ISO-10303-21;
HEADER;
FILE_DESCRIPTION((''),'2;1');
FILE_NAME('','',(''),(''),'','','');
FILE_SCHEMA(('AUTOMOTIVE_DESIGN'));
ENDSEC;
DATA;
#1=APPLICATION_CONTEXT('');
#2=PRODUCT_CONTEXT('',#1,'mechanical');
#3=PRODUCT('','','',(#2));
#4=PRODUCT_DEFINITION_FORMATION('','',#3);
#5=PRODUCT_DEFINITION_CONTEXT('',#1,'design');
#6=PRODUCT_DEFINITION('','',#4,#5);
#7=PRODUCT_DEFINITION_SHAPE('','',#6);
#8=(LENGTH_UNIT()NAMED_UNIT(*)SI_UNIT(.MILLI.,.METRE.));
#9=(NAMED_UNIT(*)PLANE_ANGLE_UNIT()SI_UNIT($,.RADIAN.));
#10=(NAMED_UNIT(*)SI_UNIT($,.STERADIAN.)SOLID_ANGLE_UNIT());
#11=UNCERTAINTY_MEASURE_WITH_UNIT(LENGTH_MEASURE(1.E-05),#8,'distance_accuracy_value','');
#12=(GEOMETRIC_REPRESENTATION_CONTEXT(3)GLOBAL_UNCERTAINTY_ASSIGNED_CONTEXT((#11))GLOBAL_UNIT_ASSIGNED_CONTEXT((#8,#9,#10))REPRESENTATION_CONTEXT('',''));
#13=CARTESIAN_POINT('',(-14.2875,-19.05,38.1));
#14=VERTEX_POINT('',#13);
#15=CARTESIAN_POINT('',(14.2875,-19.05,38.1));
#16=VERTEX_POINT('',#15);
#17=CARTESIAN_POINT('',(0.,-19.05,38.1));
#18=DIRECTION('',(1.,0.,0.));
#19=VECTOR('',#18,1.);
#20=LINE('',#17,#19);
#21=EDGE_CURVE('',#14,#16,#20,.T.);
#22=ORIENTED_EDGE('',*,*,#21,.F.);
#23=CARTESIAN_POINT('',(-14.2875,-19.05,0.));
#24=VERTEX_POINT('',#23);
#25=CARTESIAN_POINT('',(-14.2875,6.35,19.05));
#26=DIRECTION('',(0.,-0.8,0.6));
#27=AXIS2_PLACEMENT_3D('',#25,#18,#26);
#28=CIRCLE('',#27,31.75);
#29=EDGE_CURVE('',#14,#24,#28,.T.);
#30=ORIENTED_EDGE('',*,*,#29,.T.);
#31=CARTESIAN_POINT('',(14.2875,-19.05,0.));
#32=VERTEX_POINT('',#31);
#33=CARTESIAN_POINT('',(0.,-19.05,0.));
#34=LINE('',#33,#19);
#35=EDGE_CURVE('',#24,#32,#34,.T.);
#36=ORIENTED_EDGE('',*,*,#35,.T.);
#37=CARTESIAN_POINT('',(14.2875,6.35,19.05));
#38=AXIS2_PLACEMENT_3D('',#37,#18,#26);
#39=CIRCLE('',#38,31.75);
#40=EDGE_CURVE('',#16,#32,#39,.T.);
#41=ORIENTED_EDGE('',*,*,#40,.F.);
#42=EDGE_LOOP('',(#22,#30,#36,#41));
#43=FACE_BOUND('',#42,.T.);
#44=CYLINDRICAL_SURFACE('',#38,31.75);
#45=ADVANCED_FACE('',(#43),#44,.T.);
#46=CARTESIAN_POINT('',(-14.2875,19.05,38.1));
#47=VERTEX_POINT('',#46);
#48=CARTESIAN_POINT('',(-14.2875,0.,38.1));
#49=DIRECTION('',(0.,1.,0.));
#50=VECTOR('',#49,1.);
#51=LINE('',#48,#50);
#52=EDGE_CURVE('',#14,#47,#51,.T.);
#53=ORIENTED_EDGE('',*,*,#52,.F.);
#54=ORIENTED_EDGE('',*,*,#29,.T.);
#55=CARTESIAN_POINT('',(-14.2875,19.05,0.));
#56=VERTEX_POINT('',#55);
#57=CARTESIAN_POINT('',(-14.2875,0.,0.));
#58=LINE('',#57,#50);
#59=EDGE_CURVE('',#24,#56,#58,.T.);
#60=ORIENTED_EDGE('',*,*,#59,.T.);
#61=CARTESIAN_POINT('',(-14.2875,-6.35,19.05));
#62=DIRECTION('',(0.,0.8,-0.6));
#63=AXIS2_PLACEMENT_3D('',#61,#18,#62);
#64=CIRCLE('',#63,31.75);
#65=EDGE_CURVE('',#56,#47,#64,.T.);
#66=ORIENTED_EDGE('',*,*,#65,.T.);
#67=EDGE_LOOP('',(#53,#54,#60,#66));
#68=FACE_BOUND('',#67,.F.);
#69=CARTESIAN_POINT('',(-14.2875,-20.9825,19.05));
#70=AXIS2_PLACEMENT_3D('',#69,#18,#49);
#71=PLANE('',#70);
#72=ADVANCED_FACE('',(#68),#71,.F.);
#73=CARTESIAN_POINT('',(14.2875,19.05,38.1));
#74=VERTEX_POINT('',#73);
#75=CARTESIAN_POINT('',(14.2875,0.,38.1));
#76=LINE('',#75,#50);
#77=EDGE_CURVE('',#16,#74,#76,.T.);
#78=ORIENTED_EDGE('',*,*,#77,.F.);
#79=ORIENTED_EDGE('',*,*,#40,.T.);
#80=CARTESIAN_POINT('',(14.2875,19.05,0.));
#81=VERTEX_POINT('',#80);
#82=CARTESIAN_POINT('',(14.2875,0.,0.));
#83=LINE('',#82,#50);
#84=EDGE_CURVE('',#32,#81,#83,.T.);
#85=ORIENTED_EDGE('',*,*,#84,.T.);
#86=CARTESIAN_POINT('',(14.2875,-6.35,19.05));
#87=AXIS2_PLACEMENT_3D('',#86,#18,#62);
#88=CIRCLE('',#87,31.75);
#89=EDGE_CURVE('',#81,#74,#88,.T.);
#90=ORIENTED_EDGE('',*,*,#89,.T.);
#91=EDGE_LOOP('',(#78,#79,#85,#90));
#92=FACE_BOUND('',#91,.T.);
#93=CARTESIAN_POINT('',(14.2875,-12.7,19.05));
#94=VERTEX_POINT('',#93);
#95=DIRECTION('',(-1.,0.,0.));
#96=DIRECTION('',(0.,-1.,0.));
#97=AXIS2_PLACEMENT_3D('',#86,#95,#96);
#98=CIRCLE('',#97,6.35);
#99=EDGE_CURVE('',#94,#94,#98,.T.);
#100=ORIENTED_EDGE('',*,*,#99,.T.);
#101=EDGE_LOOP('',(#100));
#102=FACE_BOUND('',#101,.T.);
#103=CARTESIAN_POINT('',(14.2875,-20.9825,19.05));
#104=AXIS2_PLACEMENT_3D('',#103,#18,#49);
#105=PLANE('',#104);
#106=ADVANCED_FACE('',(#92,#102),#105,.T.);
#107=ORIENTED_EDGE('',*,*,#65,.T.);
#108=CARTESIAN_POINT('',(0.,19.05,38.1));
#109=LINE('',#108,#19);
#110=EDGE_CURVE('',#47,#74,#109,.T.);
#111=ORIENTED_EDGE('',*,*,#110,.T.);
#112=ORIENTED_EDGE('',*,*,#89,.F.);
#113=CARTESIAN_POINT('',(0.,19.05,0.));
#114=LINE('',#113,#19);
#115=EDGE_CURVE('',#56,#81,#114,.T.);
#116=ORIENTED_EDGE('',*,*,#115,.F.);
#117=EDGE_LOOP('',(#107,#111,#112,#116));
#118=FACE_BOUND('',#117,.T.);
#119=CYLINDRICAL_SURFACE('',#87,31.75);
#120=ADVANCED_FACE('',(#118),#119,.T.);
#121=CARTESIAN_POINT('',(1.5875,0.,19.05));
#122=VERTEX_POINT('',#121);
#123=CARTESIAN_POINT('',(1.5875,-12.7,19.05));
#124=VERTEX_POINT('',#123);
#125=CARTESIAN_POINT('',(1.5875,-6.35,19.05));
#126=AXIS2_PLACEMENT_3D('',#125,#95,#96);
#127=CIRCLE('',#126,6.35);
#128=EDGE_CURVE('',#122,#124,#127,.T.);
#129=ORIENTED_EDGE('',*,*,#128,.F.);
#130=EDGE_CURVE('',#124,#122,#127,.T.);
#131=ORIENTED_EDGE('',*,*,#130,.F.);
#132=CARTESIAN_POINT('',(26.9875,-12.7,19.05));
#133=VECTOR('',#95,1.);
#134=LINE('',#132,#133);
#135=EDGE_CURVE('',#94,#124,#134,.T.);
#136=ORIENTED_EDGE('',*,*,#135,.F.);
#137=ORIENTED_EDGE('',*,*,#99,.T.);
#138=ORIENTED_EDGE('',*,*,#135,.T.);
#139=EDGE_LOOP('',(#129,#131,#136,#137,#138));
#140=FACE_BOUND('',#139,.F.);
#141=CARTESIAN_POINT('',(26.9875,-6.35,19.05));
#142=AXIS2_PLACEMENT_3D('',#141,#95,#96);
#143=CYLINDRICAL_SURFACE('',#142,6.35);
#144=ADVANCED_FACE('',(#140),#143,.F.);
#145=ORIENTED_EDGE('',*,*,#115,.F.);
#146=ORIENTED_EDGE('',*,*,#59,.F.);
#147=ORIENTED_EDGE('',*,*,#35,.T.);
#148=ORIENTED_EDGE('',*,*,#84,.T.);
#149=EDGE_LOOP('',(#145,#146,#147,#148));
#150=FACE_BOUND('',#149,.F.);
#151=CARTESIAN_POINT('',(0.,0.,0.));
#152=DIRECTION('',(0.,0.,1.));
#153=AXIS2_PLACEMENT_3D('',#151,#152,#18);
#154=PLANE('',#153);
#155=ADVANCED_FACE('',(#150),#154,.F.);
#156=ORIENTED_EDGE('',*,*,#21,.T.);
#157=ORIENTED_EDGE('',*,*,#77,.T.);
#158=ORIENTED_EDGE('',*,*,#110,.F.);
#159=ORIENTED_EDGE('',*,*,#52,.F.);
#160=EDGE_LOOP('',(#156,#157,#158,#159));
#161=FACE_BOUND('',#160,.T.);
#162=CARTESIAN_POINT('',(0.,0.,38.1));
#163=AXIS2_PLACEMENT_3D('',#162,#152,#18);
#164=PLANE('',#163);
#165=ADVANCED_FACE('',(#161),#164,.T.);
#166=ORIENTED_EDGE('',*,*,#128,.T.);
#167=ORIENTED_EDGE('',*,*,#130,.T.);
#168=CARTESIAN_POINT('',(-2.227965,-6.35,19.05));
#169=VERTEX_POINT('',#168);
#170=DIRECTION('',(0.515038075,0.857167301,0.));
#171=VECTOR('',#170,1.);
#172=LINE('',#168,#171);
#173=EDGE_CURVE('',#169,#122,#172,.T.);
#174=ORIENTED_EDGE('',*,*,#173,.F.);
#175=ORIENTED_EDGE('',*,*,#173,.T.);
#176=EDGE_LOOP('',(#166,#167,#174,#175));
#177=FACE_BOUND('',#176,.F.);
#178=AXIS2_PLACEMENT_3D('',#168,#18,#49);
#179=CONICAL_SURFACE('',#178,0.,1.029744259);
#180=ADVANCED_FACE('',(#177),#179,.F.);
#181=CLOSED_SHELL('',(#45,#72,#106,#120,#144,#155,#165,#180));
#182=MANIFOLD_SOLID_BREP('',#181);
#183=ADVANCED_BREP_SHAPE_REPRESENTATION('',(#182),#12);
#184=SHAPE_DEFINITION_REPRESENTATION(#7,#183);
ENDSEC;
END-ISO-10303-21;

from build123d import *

# Parameters (mm, degrees)
F0_W     = 28.575
F0_H     = 38.1
F1_DEPTH = 38.1
F3_DEPTH = 28.575
F4_D     = 12.7
F4_DEPTH = 12.7
F4_TIP   = 3.8154649308


with BuildPart() as f1:
    # F0 (on Top) → F1 (new body)
    with BuildSketch(Plane.XY):
        Rectangle(F0_W, F0_H)
    extrude(amount=F1_DEPTH)

    # F2 (on face) → F3 (join, through all)
    with BuildSketch(Plane.YZ.offset(14.2875)):
        with BuildLine():
            ThreePointArc((-19.05, 38.1), (-25.4, 19.05), (-19.05, 0))
            Line((-19.05, 0), (-19.05, 38.1))
        make_face()
        with BuildLine():
            Line((19.05, 38.1), (19.05, 0))
            ThreePointArc((19.05, 0), (25.4, 19.05), (19.05, 38.1))
        make_face()
    extrude(amount=-F3_DEPTH)

    # F4
    with Locations(Plane.YZ.offset(14.2875)):
        with Locations((-6.35, 19.05)):
            Hole(F4_D / 2, depth=F4_DEPTH)
            with Locations((0, 0, -(F4_DEPTH + F4_TIP / 2))):  # 118° drill point
                Cone(0, F4_D / 2, F4_TIP, mode=Mode.SUBTRACT)


solid = f1.part
